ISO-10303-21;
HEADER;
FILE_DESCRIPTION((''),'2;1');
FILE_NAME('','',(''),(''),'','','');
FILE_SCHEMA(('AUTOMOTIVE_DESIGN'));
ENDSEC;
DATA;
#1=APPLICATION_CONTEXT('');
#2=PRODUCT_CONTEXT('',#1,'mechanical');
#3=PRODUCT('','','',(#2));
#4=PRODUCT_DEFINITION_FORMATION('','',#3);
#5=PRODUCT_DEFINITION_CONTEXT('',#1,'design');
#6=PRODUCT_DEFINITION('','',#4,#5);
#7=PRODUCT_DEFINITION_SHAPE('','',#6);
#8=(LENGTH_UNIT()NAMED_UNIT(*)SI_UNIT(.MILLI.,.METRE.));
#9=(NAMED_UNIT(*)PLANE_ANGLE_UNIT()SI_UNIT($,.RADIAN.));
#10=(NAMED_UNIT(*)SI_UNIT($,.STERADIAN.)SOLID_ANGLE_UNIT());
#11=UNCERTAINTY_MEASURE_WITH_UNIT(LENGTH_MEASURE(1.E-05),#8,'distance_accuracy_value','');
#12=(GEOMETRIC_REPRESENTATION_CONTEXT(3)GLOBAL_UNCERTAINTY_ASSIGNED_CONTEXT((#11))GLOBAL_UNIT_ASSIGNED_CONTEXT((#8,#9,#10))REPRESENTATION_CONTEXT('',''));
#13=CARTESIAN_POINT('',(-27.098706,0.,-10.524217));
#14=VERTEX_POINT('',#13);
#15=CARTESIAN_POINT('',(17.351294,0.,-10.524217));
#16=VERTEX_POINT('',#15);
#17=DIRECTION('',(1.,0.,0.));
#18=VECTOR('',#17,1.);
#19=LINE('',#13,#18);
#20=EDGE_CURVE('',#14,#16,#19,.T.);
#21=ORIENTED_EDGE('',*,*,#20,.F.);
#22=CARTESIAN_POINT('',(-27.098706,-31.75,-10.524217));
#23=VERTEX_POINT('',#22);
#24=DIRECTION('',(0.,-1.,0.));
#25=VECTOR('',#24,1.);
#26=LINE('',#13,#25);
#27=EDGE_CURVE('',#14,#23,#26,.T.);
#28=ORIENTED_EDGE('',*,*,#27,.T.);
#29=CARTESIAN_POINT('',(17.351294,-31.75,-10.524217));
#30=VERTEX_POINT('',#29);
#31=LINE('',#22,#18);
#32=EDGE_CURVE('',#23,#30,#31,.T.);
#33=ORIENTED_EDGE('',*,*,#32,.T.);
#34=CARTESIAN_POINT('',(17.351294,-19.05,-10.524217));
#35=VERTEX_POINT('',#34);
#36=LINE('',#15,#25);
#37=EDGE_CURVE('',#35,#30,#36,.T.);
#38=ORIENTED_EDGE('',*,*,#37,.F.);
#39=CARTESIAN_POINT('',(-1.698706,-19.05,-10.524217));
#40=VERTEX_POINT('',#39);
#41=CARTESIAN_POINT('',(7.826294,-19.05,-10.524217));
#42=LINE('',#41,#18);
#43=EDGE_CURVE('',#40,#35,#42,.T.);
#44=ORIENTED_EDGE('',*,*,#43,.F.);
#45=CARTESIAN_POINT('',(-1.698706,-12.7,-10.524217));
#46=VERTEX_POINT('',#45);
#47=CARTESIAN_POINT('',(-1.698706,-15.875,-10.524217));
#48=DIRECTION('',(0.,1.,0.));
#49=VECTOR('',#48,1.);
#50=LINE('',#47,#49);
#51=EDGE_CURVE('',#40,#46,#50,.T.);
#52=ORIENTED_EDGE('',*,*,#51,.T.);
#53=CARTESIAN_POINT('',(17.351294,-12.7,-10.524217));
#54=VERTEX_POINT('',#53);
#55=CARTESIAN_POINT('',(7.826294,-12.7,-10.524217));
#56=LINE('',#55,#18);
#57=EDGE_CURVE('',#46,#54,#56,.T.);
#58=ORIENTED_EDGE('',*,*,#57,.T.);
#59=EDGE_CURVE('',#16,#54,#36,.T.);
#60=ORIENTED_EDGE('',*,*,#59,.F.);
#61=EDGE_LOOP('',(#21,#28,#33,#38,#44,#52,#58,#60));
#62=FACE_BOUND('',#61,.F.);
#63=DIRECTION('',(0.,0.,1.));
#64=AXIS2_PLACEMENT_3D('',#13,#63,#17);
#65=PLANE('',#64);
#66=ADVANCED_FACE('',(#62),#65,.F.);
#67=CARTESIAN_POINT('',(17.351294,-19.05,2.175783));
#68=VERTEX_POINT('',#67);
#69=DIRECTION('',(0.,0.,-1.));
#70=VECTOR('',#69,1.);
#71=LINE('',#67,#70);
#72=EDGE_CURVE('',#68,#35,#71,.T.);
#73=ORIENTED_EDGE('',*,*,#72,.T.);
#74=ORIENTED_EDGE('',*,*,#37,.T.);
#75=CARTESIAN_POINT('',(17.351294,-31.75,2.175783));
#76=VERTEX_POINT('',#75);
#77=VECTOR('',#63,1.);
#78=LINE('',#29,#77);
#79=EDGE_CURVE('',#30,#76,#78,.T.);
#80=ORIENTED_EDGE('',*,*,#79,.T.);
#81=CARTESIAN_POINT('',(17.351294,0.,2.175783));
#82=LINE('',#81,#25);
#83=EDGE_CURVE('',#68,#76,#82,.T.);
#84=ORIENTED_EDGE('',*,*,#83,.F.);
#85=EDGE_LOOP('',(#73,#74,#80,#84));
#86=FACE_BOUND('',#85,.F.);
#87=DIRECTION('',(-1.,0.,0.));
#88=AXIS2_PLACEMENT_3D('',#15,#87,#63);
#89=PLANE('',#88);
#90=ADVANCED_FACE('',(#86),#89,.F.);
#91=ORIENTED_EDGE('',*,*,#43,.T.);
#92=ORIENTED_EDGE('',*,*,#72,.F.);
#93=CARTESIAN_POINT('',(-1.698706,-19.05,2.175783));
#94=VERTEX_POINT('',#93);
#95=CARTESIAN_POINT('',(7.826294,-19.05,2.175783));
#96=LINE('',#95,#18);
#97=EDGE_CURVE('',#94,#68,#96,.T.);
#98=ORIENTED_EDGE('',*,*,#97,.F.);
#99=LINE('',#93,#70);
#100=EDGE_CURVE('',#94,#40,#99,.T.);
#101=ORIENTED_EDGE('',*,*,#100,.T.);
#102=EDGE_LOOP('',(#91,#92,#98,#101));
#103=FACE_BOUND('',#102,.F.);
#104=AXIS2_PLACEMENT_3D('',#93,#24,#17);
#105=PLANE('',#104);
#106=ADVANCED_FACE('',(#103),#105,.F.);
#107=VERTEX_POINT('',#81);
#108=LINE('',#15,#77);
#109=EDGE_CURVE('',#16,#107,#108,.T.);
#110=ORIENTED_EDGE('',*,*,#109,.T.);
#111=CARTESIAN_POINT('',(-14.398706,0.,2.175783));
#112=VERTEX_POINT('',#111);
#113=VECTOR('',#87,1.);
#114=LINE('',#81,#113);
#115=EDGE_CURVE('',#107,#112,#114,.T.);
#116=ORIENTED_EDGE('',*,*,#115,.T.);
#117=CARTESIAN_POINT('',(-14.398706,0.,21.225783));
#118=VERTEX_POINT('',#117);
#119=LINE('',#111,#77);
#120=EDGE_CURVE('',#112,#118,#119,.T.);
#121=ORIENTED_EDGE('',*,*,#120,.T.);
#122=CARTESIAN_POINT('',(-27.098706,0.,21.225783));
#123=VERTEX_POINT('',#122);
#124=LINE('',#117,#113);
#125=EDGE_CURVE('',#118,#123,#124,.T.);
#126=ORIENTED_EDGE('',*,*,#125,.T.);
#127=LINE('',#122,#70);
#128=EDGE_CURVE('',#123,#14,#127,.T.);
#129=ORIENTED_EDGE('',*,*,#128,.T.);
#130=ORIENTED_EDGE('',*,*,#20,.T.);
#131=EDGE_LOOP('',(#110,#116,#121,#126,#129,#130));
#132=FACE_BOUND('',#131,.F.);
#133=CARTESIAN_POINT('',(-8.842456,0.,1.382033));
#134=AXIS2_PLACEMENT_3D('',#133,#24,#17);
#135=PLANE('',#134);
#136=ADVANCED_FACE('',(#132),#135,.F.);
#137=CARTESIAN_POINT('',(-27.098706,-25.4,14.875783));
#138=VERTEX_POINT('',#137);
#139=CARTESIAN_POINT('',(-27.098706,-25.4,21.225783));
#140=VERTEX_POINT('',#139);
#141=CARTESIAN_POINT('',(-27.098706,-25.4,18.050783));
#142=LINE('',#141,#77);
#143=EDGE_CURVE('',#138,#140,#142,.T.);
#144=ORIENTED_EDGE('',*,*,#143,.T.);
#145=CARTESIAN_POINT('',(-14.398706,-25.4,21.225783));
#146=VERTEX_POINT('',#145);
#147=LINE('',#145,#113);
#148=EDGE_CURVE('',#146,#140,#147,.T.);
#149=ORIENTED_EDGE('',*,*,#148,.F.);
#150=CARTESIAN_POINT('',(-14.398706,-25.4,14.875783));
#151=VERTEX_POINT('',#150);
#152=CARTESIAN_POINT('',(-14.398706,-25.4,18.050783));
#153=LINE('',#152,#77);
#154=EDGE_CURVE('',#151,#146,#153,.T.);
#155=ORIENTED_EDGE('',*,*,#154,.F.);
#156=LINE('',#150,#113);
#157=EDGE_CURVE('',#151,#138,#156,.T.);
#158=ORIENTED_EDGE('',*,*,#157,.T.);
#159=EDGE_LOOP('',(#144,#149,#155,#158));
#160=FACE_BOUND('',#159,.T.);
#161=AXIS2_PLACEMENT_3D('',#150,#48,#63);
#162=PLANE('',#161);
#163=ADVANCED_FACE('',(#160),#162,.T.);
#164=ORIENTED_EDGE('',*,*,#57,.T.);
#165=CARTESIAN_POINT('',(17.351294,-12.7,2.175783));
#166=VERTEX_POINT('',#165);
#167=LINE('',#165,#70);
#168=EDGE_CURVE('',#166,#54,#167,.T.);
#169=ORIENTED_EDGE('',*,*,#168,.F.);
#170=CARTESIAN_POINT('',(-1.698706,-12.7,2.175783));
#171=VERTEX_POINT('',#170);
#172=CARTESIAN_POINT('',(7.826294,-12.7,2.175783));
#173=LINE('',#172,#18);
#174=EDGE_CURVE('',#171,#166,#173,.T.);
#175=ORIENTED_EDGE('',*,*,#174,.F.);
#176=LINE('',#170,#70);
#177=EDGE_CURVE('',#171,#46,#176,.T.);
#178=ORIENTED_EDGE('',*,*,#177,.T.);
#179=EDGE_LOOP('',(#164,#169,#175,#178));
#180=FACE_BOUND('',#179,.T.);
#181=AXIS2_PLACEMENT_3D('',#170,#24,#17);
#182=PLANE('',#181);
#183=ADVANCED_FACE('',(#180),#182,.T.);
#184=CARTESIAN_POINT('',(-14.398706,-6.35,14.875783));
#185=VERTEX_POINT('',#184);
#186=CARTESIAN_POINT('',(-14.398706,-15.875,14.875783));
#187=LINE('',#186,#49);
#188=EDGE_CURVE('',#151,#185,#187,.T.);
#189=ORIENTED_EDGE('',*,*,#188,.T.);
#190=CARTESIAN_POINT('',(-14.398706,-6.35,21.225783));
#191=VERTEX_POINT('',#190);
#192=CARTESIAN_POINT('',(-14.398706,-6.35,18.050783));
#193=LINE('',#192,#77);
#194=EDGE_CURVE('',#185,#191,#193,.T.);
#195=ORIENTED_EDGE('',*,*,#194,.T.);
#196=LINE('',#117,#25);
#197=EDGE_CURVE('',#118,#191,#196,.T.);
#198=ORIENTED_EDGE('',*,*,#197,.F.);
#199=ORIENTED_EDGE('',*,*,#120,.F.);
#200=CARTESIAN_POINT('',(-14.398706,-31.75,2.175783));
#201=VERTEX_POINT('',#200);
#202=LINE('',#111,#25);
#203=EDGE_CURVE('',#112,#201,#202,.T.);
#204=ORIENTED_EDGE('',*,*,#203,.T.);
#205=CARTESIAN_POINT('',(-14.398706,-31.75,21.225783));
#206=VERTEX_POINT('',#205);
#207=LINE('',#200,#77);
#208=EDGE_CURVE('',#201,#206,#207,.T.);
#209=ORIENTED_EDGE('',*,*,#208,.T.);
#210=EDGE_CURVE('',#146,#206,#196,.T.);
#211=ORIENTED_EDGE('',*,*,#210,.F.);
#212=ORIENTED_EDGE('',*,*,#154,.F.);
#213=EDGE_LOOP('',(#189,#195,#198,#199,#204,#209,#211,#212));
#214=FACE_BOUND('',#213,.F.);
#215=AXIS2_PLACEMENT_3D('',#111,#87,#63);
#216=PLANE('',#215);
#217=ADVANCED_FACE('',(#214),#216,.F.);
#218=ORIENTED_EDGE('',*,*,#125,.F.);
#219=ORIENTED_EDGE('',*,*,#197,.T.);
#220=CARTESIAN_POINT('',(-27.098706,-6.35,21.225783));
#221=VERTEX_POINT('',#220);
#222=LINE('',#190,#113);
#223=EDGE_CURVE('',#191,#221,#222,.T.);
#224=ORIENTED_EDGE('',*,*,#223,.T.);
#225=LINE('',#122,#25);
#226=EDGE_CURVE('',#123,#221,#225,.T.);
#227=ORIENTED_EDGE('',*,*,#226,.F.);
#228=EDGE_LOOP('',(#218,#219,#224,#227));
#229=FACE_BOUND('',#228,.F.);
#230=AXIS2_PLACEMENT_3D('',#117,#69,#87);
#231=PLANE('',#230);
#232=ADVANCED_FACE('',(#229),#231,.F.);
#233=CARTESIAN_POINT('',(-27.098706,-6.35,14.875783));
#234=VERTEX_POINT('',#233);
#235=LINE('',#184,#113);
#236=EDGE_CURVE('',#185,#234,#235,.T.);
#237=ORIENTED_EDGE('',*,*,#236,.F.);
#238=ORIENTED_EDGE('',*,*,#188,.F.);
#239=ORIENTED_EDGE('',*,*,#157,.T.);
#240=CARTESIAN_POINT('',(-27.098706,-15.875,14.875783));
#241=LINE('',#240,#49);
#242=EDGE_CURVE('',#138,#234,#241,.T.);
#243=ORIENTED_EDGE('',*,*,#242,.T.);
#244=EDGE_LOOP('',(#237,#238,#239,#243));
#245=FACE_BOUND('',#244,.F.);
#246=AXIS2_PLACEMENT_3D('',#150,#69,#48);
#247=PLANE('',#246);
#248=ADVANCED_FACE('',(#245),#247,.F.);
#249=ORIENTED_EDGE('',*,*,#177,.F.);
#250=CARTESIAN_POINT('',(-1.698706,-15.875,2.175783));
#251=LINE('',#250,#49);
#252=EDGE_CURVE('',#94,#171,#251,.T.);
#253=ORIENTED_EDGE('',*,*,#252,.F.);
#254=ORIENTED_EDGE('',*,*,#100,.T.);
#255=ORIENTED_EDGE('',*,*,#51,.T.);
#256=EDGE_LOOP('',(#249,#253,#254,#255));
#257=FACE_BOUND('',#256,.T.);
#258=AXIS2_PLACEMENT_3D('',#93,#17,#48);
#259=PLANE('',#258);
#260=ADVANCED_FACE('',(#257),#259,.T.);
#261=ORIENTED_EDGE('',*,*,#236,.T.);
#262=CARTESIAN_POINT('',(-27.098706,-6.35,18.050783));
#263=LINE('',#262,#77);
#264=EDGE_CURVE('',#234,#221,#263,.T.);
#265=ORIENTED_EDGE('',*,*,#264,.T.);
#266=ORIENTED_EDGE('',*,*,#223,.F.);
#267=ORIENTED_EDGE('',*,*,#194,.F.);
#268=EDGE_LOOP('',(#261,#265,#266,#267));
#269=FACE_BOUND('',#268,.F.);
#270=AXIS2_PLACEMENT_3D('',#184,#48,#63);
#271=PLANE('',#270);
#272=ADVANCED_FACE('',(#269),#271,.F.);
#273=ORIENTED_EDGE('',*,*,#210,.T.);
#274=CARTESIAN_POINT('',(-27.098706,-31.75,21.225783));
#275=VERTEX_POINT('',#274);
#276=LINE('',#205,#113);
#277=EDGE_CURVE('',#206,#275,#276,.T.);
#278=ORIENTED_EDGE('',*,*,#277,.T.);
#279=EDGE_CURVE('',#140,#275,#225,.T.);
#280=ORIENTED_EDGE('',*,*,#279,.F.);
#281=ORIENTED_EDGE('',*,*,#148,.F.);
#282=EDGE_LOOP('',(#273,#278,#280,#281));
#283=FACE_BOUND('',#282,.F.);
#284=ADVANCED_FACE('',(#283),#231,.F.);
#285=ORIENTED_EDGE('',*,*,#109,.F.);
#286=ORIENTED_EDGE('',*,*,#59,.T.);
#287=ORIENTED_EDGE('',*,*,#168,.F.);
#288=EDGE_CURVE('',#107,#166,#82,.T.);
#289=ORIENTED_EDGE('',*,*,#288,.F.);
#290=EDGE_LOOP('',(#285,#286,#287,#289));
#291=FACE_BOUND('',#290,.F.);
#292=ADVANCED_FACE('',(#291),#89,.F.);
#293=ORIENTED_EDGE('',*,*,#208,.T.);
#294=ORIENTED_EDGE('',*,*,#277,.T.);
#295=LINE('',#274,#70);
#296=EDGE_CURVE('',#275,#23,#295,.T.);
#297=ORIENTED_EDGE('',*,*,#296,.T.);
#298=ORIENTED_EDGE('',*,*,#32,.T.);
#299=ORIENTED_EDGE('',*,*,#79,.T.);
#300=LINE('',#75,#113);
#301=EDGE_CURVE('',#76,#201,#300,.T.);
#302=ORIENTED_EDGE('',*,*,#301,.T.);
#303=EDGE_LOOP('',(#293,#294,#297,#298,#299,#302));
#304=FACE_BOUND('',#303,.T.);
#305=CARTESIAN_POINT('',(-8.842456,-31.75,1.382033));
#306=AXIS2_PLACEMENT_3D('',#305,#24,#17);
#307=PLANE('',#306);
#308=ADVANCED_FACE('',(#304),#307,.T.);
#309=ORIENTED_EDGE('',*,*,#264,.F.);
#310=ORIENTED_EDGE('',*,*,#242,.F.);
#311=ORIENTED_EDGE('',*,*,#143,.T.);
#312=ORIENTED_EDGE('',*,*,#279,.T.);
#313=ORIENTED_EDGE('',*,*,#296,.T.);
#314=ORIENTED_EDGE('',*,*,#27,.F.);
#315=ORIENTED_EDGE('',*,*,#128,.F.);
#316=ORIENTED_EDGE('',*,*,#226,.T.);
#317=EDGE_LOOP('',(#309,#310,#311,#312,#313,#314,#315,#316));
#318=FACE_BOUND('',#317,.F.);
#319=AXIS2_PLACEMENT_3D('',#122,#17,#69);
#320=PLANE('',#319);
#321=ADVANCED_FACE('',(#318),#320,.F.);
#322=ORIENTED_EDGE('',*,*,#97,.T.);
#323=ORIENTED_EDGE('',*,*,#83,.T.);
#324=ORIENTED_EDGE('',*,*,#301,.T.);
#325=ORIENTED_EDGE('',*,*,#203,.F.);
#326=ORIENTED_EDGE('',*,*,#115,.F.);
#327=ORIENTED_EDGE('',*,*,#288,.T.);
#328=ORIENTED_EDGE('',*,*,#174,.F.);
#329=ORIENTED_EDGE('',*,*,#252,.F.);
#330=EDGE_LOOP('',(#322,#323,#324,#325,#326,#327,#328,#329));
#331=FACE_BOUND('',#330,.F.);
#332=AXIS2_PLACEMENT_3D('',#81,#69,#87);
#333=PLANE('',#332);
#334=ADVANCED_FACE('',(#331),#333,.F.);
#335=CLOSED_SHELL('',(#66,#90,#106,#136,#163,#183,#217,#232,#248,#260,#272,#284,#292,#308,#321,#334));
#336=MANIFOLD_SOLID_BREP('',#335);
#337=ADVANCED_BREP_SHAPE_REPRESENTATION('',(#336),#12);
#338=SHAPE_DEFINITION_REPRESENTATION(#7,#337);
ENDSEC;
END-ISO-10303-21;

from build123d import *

# Parameters (mm, degrees)
F1_DEPTH = 31.75
F2_W     = 19.05
F2_H     = 6.35
F3_DEPTH = 12.7
F4_W     = 19.05
F4_H     = 6.35
F5_DEPTH = 12.7


with BuildPart() as f1:
    # F0 (on Front) → F1 (new body)
    with BuildSketch(Plane.XZ):
        Polygon((-14.398706, 21.225783), (-27.098706, 21.225783), (-27.098706, -10.524217), (17.351294, -10.524217), (17.351294, 2.175783), (-14.398706, 2.175783), align=None)
    extrude(amount=F1_DEPTH)

    # F2 (on face) → F3 (cut)
    with BuildSketch(Plane.XY.offset(2.175783)):
        with Locations((7.826294, -15.875)):
            Rectangle(F2_W, F2_H)
    extrude(amount=-F3_DEPTH, mode=Mode.SUBTRACT)

    # F4 (on face) → F5 (cut)
    with BuildSketch(Plane.YZ.offset(-14.398706)):
        with Locations((-15.875, 18.050783)):
            Rectangle(F4_W, F4_H)
    extrude(amount=-F5_DEPTH, mode=Mode.SUBTRACT)


solid = f1.part
